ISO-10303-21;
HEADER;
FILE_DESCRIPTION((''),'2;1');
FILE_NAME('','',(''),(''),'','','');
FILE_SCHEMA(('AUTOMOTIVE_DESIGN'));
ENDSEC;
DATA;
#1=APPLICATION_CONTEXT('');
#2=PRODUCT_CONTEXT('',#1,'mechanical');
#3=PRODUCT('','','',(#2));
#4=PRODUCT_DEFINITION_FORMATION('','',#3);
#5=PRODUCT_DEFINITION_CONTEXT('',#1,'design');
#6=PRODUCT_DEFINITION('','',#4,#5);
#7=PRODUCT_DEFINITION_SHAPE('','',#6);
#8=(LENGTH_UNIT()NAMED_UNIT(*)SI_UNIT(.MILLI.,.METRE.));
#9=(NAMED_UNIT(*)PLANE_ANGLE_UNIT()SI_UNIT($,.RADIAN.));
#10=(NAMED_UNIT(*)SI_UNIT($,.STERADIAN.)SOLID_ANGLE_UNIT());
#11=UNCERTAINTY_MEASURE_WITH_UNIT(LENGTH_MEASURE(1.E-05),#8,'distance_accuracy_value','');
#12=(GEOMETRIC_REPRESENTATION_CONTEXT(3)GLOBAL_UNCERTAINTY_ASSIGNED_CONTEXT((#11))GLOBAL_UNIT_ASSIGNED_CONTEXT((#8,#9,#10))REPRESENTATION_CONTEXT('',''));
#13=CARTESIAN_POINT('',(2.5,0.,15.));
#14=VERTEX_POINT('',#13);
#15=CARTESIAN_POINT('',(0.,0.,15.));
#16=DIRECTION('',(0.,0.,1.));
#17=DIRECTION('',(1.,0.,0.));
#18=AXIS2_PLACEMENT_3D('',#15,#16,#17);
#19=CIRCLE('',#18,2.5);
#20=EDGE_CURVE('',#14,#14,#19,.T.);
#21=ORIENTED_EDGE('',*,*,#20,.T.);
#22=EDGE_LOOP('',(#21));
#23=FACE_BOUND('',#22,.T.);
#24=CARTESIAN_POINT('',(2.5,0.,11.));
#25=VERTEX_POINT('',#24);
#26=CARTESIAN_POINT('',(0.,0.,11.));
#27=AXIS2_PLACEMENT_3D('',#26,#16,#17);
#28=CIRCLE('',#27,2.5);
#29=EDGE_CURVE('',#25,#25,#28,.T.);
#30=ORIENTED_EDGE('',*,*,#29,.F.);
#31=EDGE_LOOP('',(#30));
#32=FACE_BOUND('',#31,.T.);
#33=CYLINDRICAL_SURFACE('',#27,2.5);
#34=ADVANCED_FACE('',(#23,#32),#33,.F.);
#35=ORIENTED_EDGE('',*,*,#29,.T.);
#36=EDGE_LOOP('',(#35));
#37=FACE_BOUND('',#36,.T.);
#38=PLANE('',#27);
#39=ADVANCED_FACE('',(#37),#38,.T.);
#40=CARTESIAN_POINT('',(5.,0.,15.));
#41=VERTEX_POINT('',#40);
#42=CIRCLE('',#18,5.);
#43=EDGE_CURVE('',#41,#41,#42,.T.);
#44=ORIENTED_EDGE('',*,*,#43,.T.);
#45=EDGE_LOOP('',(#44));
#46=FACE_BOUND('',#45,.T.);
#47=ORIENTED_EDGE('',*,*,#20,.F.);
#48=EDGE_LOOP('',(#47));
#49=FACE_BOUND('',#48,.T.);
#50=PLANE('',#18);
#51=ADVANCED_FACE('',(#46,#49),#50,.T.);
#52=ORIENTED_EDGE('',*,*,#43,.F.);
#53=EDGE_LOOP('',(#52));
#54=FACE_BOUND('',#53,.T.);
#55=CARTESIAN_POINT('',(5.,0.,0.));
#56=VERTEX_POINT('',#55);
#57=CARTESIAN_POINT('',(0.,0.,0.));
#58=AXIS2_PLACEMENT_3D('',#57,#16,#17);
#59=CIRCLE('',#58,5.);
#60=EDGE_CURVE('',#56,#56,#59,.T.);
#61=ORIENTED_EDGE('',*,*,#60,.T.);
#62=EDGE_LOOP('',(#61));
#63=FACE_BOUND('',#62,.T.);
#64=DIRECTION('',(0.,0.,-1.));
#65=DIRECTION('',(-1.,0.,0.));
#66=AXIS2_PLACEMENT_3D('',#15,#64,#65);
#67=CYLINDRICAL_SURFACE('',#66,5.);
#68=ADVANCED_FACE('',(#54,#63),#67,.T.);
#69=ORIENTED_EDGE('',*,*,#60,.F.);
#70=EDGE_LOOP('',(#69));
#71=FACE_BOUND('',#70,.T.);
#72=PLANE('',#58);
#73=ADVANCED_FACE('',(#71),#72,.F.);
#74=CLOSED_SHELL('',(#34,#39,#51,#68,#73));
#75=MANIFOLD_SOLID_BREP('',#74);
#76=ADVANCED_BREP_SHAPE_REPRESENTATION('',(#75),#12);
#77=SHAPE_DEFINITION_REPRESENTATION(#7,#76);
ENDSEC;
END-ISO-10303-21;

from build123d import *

# Parameters (mm, degrees)
SKETCH1_R           = 5
BOSS_EXTRUDE1_DEPTH = 15
SKETCH2_R           = 2.5
CUT_EXTRUDE1_DEPTH  = 4


with BuildPart() as part:
    # Sketch1 → Boss-Extrude1 (new body)
    with BuildSketch(Plane.XY):
        Circle(SKETCH1_R)
    extrude(amount=BOSS_EXTRUDE1_DEPTH)

    # Sketch2 → Cut-Extrude1 (cut)
    with BuildSketch(Plane.XY.offset(15)):
        Circle(SKETCH2_R)
    extrude(amount=-CUT_EXTRUDE1_DEPTH, mode=Mode.SUBTRACT)


solid = part.part
